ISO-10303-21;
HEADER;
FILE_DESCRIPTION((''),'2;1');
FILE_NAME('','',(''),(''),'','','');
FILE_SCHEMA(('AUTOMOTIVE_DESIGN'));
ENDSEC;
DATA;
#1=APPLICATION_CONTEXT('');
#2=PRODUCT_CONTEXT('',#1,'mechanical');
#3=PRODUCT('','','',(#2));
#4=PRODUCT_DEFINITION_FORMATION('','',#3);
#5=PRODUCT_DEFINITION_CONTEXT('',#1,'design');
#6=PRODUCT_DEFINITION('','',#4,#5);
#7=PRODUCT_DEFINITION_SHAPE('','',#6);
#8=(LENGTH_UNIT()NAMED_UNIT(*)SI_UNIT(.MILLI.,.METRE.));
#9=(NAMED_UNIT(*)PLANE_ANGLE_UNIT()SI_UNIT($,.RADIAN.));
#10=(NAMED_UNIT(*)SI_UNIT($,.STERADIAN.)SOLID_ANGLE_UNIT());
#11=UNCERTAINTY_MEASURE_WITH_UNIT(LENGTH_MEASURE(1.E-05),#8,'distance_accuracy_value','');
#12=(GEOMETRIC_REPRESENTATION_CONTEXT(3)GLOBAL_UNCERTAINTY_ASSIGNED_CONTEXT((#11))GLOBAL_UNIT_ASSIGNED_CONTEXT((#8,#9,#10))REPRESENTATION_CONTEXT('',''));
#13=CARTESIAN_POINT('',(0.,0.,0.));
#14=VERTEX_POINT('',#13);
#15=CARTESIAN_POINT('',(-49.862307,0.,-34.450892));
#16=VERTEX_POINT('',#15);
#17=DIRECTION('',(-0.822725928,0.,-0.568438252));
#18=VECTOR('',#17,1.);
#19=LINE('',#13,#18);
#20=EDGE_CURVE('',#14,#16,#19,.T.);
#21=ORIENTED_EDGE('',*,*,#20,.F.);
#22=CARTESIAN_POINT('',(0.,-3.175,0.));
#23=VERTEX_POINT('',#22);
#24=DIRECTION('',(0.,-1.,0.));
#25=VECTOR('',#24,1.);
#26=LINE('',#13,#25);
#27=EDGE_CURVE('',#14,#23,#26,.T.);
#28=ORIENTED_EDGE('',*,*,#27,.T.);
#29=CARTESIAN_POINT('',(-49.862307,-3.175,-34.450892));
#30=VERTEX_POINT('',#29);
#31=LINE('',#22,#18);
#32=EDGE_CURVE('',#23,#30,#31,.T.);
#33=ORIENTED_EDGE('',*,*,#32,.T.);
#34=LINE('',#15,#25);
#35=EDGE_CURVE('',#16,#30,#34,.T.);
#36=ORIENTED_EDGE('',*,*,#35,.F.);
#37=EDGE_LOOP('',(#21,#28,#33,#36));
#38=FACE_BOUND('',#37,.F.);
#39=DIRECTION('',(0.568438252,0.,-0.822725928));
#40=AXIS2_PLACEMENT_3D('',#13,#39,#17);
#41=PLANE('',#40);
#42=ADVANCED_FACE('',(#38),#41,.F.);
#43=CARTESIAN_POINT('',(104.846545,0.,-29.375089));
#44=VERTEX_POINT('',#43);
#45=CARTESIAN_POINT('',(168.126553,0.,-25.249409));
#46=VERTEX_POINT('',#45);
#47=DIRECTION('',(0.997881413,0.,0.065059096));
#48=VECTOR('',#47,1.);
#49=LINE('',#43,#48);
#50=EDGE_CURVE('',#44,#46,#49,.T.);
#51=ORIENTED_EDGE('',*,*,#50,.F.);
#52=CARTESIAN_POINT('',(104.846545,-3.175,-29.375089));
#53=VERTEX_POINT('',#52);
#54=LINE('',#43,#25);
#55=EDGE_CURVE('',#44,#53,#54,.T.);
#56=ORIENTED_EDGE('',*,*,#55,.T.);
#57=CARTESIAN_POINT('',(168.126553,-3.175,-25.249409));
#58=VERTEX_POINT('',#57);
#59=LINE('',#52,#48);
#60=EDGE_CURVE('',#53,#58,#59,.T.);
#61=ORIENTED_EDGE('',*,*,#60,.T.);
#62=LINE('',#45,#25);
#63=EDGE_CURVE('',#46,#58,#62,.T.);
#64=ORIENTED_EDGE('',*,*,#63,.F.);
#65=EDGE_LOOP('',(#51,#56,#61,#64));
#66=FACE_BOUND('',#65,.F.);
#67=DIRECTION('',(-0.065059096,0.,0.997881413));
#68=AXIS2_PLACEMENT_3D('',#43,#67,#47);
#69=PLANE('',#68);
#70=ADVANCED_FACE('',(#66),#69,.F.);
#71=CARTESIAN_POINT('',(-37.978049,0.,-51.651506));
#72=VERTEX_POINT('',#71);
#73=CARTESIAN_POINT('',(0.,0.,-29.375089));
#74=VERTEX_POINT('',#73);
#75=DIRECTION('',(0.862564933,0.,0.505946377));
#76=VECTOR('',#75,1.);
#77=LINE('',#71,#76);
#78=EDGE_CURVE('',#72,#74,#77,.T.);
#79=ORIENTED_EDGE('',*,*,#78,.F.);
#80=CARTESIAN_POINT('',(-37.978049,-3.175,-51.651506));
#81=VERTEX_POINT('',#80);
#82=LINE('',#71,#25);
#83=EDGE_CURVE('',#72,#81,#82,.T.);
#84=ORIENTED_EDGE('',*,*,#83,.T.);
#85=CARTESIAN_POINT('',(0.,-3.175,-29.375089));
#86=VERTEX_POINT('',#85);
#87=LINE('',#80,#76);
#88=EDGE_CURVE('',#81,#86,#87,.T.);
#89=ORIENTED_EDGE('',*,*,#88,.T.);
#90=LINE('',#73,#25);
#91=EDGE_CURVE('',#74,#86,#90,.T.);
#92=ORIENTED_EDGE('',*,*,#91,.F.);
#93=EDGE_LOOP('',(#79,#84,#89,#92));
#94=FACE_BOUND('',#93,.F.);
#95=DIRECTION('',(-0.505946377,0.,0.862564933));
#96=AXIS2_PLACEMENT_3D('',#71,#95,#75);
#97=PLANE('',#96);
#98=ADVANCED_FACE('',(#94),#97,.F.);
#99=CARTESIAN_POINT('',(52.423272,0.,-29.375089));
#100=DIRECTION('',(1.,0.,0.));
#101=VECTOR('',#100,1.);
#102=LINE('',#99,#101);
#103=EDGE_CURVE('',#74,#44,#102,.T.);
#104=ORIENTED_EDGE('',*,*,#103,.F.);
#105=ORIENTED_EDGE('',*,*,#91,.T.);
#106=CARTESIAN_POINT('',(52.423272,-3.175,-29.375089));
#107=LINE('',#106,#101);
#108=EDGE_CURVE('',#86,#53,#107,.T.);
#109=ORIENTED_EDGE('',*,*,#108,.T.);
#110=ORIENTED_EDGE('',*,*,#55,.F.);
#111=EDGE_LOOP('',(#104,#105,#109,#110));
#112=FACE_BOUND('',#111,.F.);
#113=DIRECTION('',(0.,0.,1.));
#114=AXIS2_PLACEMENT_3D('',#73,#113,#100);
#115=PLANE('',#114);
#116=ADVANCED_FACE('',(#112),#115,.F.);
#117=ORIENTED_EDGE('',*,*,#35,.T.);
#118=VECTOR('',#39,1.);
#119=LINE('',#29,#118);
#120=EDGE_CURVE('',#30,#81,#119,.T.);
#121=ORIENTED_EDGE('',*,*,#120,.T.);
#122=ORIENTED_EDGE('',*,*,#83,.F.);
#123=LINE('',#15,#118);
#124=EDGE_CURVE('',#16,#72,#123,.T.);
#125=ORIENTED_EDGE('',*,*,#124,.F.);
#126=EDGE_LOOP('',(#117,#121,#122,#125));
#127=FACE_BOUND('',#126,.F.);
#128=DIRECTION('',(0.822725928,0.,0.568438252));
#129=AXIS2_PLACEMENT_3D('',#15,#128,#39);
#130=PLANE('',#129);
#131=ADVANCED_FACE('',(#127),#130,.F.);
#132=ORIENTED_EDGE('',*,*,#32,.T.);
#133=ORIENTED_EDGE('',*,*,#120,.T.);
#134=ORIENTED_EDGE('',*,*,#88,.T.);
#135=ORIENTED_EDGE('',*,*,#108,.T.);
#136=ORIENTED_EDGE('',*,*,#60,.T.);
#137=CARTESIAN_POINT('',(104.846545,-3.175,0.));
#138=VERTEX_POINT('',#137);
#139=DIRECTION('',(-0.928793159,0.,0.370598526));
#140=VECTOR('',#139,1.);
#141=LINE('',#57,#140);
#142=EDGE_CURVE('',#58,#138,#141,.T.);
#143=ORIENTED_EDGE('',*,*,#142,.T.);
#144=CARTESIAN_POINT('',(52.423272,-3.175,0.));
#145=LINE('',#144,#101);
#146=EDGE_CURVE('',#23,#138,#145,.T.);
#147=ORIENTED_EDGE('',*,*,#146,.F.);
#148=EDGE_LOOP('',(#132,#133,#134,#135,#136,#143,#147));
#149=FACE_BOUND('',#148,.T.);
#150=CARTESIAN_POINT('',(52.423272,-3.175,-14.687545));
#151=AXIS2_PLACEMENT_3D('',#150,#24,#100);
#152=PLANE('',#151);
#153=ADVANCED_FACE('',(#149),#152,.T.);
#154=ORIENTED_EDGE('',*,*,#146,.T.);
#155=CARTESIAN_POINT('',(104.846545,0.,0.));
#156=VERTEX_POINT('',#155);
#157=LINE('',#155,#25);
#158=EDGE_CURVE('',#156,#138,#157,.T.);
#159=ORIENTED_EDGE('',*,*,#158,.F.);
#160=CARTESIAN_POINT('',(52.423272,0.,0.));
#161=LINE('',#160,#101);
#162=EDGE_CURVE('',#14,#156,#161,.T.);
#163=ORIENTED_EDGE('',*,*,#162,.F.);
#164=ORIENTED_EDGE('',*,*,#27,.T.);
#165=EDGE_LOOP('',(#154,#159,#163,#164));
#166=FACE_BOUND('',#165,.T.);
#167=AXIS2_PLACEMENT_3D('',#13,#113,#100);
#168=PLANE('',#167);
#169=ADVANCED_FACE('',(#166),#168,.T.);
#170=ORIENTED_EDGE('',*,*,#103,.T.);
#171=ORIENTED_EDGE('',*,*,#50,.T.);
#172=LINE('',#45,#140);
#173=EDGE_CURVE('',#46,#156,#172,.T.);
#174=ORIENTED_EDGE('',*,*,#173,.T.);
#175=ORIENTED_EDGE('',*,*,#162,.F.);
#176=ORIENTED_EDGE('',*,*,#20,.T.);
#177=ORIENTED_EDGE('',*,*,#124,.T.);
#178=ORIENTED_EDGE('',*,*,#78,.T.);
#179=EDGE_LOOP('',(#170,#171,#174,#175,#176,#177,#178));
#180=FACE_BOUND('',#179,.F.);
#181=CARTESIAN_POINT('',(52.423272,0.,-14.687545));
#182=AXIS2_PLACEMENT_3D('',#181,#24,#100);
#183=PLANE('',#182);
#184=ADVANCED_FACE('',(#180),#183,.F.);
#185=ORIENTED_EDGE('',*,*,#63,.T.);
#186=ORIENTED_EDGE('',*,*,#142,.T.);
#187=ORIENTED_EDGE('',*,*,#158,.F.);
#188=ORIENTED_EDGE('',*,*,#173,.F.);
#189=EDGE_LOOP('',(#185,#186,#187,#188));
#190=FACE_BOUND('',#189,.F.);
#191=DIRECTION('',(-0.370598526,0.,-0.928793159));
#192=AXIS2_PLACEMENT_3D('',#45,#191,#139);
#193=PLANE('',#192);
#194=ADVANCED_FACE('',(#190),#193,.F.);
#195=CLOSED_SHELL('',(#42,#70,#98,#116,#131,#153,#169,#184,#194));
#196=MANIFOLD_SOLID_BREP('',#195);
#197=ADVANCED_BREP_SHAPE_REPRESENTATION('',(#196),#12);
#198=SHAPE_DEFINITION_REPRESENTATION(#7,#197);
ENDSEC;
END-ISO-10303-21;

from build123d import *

# Parameters (mm, degrees)
F0_W     = 104.8465445638
F0_H     = 29.3750893325
F1_DEPTH = 3.175


with BuildPart() as f1:
    # F0 (on Front) → F1 (new body)
    with BuildSketch(Plane.XZ):
        with Locations((52.4232722819, -14.6875446662)):
            Rectangle(F0_W, F0_H)
        Polygon((0, -29.3750893325), (0, 0), (-49.862306565, -34.450892359), (-37.9780488038, -51.6515064277), align=None)
        Polygon((168.126553297, -25.249408558), (104.8465445638, 0), (104.8465445638, -29.3750893325), align=None)
    extrude(amount=F1_DEPTH)


solid = f1.part
